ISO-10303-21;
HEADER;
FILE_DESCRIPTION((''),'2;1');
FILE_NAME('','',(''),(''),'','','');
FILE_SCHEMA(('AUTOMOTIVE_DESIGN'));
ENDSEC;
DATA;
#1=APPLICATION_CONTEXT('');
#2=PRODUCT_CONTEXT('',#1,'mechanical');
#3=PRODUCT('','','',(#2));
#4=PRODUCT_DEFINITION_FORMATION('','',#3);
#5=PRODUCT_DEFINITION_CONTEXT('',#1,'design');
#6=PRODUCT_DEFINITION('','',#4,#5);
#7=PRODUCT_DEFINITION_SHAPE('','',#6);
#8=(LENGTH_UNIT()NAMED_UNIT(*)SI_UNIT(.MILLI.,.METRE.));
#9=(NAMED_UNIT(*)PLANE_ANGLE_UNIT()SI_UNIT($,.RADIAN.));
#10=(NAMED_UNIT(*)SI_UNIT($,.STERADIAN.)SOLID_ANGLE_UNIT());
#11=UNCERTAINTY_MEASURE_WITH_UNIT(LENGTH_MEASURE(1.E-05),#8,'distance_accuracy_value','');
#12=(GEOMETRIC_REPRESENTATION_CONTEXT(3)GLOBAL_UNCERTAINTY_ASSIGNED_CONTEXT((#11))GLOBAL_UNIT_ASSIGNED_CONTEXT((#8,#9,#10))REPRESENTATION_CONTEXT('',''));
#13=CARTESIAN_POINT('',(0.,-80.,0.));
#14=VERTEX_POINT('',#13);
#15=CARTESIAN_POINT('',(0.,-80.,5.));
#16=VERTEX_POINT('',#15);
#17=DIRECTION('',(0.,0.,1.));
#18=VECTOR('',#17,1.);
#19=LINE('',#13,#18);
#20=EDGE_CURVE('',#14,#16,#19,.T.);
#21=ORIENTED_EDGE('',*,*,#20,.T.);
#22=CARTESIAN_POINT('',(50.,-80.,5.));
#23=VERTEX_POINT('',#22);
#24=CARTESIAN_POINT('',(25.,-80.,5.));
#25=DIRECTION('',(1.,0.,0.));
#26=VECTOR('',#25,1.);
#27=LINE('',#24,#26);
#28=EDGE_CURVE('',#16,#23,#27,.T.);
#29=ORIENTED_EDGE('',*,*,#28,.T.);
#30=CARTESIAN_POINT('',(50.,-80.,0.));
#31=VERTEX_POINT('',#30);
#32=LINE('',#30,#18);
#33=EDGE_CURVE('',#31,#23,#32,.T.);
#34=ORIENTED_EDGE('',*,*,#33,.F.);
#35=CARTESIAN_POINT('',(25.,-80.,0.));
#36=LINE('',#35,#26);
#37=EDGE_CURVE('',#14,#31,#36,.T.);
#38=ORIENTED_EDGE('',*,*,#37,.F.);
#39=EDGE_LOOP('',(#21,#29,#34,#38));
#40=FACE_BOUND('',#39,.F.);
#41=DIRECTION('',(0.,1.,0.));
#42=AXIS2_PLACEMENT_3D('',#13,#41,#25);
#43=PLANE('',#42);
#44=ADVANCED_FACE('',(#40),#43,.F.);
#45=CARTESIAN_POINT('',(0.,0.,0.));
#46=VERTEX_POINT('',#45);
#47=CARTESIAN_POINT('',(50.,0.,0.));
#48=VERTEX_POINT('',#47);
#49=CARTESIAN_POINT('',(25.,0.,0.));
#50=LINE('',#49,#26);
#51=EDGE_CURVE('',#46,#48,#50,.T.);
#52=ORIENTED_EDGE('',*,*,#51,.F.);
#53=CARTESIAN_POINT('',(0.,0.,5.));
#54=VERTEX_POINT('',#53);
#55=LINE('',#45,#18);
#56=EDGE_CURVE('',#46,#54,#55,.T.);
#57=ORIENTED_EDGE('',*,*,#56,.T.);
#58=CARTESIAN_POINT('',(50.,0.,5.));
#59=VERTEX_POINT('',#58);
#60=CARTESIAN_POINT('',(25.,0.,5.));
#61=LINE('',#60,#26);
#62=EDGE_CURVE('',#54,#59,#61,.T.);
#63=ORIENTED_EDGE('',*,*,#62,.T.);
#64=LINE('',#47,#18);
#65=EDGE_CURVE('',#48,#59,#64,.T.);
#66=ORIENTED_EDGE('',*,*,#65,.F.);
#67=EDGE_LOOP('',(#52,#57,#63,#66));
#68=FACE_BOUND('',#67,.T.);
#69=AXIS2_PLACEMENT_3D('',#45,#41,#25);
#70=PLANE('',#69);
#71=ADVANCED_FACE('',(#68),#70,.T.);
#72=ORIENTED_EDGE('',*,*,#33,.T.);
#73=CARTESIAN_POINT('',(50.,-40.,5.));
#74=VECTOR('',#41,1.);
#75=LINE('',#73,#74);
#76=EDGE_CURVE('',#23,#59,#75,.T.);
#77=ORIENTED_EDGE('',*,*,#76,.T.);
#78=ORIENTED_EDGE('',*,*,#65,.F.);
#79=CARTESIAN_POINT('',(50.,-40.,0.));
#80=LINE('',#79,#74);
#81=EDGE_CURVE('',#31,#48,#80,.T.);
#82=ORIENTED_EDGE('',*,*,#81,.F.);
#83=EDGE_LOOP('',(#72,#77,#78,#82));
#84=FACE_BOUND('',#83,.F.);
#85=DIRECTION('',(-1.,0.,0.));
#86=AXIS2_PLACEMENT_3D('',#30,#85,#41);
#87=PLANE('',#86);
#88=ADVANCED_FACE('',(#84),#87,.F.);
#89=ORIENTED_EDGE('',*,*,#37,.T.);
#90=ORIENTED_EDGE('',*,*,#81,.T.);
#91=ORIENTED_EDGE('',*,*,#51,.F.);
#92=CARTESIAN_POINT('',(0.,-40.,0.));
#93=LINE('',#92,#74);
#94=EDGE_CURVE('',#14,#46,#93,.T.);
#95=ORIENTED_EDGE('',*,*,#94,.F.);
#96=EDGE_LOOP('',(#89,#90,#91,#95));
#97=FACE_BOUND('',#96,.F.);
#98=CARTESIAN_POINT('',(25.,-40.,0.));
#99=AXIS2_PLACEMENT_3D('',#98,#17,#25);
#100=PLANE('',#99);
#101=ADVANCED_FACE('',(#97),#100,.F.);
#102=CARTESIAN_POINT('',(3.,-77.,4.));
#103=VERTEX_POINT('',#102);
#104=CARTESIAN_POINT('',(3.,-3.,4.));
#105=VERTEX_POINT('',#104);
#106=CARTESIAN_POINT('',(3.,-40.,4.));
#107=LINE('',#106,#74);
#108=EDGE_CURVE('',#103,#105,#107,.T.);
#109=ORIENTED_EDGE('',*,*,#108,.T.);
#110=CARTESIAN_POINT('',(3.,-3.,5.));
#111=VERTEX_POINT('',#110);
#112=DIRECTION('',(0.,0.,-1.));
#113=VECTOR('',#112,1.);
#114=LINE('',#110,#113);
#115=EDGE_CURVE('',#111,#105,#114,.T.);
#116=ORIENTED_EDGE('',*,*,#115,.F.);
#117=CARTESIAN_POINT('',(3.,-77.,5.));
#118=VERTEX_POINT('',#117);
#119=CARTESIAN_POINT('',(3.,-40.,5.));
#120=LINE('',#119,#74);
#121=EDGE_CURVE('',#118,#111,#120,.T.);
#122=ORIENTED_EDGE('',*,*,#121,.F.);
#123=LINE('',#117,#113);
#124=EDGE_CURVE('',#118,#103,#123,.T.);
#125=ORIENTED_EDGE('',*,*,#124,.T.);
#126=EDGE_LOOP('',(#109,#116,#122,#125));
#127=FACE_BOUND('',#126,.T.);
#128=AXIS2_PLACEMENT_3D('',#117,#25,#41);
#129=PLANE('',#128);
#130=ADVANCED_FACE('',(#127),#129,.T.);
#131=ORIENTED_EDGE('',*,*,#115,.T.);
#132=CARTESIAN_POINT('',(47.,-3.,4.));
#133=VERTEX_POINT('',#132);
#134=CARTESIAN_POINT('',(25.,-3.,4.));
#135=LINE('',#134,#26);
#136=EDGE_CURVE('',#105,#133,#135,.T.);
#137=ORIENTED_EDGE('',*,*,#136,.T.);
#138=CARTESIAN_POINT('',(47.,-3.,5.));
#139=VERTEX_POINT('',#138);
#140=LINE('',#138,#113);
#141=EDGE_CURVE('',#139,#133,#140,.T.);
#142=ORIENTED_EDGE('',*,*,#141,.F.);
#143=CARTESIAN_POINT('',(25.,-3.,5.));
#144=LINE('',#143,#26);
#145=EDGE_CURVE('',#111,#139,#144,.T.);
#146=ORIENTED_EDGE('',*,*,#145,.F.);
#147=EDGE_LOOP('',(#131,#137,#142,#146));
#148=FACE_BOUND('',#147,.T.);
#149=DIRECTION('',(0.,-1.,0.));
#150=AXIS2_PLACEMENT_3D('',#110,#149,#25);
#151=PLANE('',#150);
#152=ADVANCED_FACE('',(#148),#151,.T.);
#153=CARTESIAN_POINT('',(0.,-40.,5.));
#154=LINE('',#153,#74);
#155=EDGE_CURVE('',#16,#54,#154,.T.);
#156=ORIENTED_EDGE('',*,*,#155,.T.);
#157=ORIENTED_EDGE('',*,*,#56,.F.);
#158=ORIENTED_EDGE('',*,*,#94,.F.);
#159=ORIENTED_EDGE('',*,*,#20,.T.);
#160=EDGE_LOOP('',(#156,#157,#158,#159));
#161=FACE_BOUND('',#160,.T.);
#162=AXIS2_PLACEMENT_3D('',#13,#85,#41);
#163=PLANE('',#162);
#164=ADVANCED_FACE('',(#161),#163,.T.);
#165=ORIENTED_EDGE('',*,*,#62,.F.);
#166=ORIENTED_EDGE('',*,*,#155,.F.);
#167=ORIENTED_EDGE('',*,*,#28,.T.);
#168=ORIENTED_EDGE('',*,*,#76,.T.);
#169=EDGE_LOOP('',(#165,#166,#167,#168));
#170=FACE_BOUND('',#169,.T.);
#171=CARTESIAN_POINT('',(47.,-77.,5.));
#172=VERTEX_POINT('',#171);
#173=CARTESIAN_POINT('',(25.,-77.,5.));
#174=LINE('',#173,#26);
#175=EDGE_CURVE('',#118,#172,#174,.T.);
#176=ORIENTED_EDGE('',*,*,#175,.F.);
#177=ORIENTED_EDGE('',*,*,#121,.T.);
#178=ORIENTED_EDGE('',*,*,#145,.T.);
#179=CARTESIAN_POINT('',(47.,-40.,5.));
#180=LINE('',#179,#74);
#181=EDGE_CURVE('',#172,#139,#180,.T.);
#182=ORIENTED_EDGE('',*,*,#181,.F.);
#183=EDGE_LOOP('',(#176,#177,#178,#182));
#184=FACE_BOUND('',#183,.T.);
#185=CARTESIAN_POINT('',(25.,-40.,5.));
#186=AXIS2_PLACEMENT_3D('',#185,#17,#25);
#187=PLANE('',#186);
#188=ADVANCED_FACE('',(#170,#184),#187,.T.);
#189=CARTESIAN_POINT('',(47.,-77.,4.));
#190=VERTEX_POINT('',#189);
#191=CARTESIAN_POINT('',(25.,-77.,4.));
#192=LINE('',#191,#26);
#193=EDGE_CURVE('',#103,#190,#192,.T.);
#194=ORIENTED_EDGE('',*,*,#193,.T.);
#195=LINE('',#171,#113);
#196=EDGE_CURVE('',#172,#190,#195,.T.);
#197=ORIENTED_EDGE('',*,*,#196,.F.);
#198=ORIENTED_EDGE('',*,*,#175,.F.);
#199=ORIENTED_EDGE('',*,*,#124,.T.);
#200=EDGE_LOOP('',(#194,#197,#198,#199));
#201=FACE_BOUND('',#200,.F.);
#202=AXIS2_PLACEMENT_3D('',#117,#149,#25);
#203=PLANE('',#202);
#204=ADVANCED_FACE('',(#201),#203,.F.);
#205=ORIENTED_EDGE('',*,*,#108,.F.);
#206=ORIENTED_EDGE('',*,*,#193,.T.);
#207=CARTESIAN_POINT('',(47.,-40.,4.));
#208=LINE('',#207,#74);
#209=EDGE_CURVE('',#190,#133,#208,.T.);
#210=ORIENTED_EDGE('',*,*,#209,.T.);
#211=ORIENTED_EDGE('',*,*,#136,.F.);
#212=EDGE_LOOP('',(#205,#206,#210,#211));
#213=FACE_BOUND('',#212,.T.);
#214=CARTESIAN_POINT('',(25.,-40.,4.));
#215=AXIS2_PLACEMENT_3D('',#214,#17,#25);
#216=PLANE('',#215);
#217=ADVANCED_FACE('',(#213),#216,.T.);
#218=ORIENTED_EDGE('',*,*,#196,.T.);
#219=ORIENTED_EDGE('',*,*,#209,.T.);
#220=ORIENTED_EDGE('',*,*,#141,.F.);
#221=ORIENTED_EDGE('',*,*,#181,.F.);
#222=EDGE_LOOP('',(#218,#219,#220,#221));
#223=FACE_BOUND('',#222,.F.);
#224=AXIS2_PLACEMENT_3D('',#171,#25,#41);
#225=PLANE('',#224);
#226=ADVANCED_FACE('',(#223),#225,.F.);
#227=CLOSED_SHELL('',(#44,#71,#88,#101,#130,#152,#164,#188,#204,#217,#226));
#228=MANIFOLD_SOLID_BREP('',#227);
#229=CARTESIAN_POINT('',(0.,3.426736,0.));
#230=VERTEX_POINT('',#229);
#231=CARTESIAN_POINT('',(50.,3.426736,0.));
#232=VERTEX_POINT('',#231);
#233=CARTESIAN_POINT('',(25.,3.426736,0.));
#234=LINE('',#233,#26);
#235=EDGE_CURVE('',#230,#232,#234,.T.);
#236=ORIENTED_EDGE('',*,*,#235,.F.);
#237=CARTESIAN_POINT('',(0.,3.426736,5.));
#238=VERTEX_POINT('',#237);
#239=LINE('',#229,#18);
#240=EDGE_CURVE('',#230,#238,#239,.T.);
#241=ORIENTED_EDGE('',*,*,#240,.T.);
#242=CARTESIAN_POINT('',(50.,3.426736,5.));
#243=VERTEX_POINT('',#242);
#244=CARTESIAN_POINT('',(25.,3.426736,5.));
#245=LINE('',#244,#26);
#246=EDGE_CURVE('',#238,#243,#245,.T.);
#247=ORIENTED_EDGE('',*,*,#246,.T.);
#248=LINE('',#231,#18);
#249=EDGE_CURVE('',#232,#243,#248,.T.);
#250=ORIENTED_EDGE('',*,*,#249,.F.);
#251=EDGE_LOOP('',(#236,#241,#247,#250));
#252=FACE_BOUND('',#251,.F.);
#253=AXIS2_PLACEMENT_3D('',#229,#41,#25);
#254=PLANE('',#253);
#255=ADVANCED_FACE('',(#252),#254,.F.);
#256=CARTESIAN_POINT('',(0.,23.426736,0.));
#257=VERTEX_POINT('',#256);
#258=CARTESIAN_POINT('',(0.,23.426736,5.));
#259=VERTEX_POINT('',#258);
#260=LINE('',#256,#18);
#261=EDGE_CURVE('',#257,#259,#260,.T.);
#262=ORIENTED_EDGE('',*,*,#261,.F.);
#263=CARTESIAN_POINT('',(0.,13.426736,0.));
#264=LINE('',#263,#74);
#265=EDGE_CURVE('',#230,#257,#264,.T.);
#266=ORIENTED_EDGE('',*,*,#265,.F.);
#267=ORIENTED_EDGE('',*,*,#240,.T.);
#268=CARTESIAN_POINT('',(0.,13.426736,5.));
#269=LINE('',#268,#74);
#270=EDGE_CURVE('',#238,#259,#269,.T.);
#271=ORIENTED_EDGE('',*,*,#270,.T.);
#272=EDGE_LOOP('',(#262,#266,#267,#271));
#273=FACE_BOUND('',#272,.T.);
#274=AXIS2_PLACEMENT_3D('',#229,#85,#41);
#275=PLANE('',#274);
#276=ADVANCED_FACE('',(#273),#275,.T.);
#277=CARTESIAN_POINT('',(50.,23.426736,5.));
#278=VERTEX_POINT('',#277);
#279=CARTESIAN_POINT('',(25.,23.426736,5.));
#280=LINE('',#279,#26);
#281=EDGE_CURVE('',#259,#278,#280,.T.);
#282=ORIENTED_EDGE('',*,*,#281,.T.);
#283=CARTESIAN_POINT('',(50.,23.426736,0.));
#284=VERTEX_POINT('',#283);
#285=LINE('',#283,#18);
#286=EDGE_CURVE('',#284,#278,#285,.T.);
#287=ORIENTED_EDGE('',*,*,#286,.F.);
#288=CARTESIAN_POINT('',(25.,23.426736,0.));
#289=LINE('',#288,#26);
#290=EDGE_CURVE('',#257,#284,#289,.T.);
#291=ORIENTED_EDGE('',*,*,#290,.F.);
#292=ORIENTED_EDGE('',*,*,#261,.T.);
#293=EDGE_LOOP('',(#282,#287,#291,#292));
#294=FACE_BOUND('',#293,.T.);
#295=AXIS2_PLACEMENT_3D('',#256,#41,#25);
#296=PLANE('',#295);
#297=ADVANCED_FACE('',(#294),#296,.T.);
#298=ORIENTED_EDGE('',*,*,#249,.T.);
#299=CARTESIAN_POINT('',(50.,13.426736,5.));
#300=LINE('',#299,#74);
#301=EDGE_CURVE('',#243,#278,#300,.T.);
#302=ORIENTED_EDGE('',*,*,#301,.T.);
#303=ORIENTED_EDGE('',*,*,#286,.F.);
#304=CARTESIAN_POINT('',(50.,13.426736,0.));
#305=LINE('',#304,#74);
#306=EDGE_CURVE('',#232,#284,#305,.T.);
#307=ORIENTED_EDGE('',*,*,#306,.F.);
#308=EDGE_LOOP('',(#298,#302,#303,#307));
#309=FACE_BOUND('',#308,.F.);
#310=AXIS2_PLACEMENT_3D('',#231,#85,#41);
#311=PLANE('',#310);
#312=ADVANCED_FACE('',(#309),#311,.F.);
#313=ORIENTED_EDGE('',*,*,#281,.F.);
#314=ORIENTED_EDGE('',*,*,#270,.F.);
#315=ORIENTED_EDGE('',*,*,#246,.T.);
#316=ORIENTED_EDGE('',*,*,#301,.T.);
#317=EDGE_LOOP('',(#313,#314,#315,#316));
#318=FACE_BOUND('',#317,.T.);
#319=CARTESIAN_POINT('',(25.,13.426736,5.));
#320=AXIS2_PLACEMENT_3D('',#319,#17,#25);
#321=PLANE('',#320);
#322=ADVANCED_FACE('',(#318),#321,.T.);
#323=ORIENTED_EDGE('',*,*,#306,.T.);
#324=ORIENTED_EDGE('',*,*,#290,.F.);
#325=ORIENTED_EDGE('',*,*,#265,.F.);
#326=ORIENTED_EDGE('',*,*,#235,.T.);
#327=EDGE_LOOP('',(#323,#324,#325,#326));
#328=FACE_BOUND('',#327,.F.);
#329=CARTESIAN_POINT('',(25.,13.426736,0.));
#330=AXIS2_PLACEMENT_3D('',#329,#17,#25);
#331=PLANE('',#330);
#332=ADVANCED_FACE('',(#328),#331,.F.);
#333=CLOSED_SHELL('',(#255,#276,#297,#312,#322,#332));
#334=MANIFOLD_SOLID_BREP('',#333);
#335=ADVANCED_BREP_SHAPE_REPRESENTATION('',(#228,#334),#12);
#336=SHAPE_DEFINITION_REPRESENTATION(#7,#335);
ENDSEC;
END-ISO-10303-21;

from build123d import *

# Parameters (mm, degrees)
F0_W     = 50
F0_H     = 80
F2_DEPTH = 5
F1_W     = 50
F1_H     = 20
F3_DEPTH = 5
F4_W     = 44
F4_H     = 74
F5_DEPTH = 1


with BuildPart() as f2:
    # F0 (on Top) → F2 (new body)
    with BuildSketch(Plane.XY):
        with Locations((25, -40)):
            Rectangle(F0_W, F0_H)
    extrude(amount=F2_DEPTH)

    # F4 (on face) → F5 (cut)
    with BuildSketch(Plane.XY.offset(5)):
        with Locations((25, -40)):
            Rectangle(F4_W, F4_H)
    extrude(amount=-F5_DEPTH, mode=Mode.SUBTRACT)


with BuildPart() as f3:
    # F1 (on Top) → F3 (new body)
    with BuildSketch(Plane.XY):
        with Locations((25, 13.426736)):
            Rectangle(F1_W, F1_H)
    extrude(amount=F3_DEPTH)


solid = Compound([f2.part, f3.part])
